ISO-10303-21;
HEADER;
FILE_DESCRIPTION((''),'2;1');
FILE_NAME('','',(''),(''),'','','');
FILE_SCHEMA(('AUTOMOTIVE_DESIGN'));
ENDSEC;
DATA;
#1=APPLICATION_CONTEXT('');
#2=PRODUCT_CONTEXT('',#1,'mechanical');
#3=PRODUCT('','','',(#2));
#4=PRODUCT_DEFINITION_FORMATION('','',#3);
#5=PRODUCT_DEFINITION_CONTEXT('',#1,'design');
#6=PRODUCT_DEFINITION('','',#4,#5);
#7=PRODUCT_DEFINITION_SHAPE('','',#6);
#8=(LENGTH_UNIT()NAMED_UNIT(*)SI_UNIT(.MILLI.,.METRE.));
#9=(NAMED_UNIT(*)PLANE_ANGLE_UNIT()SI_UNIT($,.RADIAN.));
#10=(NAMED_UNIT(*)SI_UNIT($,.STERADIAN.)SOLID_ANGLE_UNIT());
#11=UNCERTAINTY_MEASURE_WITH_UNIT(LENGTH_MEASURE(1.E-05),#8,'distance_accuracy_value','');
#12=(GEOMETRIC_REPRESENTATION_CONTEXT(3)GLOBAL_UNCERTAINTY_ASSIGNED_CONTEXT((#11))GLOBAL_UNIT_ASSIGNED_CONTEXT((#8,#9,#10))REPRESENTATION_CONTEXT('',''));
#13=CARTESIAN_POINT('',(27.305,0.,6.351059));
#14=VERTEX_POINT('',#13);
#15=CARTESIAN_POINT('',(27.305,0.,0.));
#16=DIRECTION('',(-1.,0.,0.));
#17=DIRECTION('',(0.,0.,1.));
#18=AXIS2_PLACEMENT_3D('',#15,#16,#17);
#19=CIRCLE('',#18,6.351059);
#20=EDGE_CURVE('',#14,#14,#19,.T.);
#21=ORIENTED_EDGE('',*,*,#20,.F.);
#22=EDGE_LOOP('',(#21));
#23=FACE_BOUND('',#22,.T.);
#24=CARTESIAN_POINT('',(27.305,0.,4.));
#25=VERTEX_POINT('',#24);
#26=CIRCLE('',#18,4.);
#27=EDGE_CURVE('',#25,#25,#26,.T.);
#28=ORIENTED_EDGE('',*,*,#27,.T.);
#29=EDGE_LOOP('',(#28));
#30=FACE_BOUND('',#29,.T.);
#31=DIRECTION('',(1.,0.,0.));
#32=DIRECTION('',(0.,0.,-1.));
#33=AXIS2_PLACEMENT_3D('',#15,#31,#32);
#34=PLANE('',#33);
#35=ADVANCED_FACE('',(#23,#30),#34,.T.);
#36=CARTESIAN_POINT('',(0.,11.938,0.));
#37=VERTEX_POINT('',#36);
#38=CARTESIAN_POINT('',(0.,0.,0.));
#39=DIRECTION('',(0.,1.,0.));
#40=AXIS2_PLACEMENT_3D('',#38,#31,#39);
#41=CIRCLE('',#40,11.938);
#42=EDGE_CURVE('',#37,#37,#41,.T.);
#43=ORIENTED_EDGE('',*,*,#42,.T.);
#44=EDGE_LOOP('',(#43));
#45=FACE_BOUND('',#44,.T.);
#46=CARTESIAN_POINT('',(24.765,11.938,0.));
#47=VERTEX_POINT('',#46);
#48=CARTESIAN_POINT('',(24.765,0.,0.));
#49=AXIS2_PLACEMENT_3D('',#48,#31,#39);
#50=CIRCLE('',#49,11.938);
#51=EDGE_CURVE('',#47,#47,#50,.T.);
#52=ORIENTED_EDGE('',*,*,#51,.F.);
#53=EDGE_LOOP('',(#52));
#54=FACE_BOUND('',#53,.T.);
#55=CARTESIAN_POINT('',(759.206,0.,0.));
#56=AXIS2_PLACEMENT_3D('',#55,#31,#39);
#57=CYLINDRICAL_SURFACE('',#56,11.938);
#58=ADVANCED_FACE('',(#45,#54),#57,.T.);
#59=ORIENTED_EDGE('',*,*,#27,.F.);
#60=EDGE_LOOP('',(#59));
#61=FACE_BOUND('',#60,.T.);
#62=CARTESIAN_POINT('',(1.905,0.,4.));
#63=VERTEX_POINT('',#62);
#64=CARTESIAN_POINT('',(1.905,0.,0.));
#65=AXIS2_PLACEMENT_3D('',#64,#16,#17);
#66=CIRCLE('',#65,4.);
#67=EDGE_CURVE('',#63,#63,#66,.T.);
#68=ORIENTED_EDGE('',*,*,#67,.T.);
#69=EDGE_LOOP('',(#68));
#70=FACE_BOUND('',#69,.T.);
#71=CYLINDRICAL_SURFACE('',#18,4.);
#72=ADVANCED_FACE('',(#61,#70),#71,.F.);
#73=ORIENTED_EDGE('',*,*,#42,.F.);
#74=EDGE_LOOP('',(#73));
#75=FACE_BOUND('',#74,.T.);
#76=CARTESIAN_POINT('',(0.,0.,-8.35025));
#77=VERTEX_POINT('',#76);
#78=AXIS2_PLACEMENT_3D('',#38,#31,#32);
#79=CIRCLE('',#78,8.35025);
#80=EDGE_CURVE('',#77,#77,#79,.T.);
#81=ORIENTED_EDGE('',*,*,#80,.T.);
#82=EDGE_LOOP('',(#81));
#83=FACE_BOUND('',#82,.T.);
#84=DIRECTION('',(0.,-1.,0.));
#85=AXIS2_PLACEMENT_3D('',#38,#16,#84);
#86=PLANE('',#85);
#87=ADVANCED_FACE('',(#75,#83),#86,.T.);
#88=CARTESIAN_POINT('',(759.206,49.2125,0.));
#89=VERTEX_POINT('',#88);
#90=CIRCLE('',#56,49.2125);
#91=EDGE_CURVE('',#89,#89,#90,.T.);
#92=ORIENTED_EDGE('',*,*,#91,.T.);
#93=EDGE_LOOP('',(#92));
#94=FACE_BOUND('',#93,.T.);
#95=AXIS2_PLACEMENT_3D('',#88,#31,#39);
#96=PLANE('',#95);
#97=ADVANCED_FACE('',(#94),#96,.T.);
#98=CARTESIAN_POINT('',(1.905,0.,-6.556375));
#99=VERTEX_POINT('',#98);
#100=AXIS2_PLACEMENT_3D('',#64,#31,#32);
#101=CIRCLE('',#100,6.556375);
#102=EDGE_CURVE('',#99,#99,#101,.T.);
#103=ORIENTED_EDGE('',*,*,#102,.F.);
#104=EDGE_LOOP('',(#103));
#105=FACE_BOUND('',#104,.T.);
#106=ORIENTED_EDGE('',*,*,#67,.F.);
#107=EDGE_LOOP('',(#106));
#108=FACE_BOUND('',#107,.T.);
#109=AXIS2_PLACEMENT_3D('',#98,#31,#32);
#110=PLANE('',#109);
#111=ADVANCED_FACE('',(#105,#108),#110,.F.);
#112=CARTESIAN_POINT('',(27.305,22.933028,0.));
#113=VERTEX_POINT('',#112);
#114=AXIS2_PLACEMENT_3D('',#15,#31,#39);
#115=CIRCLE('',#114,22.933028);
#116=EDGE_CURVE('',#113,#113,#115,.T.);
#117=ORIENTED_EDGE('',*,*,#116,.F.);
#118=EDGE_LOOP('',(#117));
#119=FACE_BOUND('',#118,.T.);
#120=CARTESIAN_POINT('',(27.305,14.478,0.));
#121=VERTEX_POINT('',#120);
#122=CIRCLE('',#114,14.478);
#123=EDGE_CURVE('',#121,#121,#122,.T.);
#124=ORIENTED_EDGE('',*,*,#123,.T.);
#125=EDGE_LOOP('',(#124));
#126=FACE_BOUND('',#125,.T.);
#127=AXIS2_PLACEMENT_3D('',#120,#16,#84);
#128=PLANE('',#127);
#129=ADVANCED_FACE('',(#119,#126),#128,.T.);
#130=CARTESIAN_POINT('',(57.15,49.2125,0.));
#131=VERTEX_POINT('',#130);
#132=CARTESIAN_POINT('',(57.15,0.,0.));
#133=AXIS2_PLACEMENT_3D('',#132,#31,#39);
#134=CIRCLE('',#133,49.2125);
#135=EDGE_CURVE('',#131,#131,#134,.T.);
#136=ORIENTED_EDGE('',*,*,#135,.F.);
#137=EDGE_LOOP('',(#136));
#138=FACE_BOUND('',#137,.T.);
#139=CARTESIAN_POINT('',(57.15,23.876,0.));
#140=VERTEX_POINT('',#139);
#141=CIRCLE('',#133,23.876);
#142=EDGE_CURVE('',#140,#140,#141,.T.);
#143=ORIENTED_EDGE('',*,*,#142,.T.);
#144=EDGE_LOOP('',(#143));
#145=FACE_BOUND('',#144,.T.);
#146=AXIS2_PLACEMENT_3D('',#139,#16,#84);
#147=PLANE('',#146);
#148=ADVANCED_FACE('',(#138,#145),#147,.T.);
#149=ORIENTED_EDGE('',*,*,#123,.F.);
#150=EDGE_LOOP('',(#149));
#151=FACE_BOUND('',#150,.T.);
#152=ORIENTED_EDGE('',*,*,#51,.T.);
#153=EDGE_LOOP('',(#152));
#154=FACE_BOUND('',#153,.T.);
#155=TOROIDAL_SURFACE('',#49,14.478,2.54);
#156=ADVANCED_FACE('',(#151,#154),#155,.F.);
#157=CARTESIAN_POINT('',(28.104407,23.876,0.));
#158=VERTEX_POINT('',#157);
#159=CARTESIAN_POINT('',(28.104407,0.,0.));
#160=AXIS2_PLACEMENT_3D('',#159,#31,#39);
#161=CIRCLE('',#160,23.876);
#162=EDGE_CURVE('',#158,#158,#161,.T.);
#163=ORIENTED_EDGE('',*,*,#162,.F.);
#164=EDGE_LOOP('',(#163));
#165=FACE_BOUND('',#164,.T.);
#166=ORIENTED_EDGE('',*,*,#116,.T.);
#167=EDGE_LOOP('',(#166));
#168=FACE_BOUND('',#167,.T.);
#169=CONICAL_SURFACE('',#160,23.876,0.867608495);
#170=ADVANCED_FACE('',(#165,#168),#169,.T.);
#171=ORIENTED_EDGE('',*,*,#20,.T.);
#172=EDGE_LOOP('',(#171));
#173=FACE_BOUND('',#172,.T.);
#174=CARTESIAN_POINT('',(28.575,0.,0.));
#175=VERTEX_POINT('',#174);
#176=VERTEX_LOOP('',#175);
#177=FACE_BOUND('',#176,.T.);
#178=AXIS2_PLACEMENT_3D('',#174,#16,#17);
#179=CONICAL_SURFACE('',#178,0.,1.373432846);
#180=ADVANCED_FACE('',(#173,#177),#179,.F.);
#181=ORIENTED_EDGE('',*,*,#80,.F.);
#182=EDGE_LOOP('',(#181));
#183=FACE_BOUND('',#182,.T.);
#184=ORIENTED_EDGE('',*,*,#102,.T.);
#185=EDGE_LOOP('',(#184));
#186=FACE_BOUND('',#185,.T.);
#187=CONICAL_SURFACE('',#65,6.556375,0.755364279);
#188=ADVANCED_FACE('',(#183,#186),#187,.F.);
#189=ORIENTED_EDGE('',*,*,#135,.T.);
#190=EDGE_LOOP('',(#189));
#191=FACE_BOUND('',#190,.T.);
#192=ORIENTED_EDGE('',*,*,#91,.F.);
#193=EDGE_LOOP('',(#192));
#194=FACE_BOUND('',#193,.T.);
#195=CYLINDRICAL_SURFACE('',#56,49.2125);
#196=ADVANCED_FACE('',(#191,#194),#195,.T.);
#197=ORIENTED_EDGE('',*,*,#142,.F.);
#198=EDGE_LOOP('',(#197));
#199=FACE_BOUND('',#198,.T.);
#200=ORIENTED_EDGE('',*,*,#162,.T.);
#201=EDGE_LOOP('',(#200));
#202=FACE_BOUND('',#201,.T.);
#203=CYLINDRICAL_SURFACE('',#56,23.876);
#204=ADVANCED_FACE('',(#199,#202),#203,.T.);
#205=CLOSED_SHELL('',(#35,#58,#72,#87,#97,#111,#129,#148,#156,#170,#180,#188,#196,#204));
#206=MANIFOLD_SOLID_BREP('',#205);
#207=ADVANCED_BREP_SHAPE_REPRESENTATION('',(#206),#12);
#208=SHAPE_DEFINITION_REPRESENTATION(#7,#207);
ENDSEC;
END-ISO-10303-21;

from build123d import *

# Parameters (mm, degrees)
SKETCH19_R         = 4
CUT_EXTRUDE3_DEPTH = 25.4


with BuildPart() as part:
    # Sketch1 → Revolve1 (revolve)
    with BuildSketch(Plane.XY):
        with BuildLine():
            Line((0, 0), (0, 11.938))
            Line((0, 11.938), (24.765, 11.938))
            ThreePointArc((24.765, 11.938), (26.561051224, 12.681948776), (27.305, 14.478))
            Line((27.305, 14.478), (27.305, 22.933028409))
            Line((27.305, 22.933028409), (28.104406531, 23.876))
            Line((28.104406531, 23.876), (57.15, 23.876))
            Line((57.15, 23.876), (57.15, 49.2125))
            Line((57.15, 49.2125), (759.206, 49.2125))
            Line((759.206, 49.2125), (759.206, 0))
            Line((759.206, 0), (0, 0))
        make_face()
    revolve(axis=Axis((759.206, 0, 0), (-1, 0, 0)))

    # Sketch16 → Cut-Revolve1 (revolve, cut)
    with BuildSketch(Plane(origin=(0, 0, 0), x_dir=(1, 0, 0), z_dir=(0, 1, 0))):
        Polygon((0, 0), (0, 8.35025), (1.905, 6.556375), (1.905, 0), align=None)
    revolve(axis=Axis((1.905, 0, 0), (-1, 0, 0)), mode=Mode.SUBTRACT)

    # Sketch19 → Cut-Extrude3 (cut)
    with BuildSketch(Plane.ZY.offset(-1.905)):
        Circle(SKETCH19_R)
    extrude(amount=-CUT_EXTRUDE3_DEPTH, mode=Mode.SUBTRACT)

    # Sketch32 → Cut-Revolve6 (revolve, cut)
    with BuildSketch(Plane(origin=(0, 0, 0), x_dir=(1, 0, 0), z_dir=(0, 1, 0)), mode=Mode.PRIVATE) as cut_revolve6_sk:
        Polygon((27.305, 0), (28.575, 0), (27.305, 6.351059428), align=None)
    revolve(cut_revolve6_sk.sketch.rotate(Axis((27.305, 0, 0), (1, 0, 0)), 180), axis=Axis((27.305, 0, 0), (1, 0, 0)), mode=Mode.SUBTRACT)


solid = part.part
